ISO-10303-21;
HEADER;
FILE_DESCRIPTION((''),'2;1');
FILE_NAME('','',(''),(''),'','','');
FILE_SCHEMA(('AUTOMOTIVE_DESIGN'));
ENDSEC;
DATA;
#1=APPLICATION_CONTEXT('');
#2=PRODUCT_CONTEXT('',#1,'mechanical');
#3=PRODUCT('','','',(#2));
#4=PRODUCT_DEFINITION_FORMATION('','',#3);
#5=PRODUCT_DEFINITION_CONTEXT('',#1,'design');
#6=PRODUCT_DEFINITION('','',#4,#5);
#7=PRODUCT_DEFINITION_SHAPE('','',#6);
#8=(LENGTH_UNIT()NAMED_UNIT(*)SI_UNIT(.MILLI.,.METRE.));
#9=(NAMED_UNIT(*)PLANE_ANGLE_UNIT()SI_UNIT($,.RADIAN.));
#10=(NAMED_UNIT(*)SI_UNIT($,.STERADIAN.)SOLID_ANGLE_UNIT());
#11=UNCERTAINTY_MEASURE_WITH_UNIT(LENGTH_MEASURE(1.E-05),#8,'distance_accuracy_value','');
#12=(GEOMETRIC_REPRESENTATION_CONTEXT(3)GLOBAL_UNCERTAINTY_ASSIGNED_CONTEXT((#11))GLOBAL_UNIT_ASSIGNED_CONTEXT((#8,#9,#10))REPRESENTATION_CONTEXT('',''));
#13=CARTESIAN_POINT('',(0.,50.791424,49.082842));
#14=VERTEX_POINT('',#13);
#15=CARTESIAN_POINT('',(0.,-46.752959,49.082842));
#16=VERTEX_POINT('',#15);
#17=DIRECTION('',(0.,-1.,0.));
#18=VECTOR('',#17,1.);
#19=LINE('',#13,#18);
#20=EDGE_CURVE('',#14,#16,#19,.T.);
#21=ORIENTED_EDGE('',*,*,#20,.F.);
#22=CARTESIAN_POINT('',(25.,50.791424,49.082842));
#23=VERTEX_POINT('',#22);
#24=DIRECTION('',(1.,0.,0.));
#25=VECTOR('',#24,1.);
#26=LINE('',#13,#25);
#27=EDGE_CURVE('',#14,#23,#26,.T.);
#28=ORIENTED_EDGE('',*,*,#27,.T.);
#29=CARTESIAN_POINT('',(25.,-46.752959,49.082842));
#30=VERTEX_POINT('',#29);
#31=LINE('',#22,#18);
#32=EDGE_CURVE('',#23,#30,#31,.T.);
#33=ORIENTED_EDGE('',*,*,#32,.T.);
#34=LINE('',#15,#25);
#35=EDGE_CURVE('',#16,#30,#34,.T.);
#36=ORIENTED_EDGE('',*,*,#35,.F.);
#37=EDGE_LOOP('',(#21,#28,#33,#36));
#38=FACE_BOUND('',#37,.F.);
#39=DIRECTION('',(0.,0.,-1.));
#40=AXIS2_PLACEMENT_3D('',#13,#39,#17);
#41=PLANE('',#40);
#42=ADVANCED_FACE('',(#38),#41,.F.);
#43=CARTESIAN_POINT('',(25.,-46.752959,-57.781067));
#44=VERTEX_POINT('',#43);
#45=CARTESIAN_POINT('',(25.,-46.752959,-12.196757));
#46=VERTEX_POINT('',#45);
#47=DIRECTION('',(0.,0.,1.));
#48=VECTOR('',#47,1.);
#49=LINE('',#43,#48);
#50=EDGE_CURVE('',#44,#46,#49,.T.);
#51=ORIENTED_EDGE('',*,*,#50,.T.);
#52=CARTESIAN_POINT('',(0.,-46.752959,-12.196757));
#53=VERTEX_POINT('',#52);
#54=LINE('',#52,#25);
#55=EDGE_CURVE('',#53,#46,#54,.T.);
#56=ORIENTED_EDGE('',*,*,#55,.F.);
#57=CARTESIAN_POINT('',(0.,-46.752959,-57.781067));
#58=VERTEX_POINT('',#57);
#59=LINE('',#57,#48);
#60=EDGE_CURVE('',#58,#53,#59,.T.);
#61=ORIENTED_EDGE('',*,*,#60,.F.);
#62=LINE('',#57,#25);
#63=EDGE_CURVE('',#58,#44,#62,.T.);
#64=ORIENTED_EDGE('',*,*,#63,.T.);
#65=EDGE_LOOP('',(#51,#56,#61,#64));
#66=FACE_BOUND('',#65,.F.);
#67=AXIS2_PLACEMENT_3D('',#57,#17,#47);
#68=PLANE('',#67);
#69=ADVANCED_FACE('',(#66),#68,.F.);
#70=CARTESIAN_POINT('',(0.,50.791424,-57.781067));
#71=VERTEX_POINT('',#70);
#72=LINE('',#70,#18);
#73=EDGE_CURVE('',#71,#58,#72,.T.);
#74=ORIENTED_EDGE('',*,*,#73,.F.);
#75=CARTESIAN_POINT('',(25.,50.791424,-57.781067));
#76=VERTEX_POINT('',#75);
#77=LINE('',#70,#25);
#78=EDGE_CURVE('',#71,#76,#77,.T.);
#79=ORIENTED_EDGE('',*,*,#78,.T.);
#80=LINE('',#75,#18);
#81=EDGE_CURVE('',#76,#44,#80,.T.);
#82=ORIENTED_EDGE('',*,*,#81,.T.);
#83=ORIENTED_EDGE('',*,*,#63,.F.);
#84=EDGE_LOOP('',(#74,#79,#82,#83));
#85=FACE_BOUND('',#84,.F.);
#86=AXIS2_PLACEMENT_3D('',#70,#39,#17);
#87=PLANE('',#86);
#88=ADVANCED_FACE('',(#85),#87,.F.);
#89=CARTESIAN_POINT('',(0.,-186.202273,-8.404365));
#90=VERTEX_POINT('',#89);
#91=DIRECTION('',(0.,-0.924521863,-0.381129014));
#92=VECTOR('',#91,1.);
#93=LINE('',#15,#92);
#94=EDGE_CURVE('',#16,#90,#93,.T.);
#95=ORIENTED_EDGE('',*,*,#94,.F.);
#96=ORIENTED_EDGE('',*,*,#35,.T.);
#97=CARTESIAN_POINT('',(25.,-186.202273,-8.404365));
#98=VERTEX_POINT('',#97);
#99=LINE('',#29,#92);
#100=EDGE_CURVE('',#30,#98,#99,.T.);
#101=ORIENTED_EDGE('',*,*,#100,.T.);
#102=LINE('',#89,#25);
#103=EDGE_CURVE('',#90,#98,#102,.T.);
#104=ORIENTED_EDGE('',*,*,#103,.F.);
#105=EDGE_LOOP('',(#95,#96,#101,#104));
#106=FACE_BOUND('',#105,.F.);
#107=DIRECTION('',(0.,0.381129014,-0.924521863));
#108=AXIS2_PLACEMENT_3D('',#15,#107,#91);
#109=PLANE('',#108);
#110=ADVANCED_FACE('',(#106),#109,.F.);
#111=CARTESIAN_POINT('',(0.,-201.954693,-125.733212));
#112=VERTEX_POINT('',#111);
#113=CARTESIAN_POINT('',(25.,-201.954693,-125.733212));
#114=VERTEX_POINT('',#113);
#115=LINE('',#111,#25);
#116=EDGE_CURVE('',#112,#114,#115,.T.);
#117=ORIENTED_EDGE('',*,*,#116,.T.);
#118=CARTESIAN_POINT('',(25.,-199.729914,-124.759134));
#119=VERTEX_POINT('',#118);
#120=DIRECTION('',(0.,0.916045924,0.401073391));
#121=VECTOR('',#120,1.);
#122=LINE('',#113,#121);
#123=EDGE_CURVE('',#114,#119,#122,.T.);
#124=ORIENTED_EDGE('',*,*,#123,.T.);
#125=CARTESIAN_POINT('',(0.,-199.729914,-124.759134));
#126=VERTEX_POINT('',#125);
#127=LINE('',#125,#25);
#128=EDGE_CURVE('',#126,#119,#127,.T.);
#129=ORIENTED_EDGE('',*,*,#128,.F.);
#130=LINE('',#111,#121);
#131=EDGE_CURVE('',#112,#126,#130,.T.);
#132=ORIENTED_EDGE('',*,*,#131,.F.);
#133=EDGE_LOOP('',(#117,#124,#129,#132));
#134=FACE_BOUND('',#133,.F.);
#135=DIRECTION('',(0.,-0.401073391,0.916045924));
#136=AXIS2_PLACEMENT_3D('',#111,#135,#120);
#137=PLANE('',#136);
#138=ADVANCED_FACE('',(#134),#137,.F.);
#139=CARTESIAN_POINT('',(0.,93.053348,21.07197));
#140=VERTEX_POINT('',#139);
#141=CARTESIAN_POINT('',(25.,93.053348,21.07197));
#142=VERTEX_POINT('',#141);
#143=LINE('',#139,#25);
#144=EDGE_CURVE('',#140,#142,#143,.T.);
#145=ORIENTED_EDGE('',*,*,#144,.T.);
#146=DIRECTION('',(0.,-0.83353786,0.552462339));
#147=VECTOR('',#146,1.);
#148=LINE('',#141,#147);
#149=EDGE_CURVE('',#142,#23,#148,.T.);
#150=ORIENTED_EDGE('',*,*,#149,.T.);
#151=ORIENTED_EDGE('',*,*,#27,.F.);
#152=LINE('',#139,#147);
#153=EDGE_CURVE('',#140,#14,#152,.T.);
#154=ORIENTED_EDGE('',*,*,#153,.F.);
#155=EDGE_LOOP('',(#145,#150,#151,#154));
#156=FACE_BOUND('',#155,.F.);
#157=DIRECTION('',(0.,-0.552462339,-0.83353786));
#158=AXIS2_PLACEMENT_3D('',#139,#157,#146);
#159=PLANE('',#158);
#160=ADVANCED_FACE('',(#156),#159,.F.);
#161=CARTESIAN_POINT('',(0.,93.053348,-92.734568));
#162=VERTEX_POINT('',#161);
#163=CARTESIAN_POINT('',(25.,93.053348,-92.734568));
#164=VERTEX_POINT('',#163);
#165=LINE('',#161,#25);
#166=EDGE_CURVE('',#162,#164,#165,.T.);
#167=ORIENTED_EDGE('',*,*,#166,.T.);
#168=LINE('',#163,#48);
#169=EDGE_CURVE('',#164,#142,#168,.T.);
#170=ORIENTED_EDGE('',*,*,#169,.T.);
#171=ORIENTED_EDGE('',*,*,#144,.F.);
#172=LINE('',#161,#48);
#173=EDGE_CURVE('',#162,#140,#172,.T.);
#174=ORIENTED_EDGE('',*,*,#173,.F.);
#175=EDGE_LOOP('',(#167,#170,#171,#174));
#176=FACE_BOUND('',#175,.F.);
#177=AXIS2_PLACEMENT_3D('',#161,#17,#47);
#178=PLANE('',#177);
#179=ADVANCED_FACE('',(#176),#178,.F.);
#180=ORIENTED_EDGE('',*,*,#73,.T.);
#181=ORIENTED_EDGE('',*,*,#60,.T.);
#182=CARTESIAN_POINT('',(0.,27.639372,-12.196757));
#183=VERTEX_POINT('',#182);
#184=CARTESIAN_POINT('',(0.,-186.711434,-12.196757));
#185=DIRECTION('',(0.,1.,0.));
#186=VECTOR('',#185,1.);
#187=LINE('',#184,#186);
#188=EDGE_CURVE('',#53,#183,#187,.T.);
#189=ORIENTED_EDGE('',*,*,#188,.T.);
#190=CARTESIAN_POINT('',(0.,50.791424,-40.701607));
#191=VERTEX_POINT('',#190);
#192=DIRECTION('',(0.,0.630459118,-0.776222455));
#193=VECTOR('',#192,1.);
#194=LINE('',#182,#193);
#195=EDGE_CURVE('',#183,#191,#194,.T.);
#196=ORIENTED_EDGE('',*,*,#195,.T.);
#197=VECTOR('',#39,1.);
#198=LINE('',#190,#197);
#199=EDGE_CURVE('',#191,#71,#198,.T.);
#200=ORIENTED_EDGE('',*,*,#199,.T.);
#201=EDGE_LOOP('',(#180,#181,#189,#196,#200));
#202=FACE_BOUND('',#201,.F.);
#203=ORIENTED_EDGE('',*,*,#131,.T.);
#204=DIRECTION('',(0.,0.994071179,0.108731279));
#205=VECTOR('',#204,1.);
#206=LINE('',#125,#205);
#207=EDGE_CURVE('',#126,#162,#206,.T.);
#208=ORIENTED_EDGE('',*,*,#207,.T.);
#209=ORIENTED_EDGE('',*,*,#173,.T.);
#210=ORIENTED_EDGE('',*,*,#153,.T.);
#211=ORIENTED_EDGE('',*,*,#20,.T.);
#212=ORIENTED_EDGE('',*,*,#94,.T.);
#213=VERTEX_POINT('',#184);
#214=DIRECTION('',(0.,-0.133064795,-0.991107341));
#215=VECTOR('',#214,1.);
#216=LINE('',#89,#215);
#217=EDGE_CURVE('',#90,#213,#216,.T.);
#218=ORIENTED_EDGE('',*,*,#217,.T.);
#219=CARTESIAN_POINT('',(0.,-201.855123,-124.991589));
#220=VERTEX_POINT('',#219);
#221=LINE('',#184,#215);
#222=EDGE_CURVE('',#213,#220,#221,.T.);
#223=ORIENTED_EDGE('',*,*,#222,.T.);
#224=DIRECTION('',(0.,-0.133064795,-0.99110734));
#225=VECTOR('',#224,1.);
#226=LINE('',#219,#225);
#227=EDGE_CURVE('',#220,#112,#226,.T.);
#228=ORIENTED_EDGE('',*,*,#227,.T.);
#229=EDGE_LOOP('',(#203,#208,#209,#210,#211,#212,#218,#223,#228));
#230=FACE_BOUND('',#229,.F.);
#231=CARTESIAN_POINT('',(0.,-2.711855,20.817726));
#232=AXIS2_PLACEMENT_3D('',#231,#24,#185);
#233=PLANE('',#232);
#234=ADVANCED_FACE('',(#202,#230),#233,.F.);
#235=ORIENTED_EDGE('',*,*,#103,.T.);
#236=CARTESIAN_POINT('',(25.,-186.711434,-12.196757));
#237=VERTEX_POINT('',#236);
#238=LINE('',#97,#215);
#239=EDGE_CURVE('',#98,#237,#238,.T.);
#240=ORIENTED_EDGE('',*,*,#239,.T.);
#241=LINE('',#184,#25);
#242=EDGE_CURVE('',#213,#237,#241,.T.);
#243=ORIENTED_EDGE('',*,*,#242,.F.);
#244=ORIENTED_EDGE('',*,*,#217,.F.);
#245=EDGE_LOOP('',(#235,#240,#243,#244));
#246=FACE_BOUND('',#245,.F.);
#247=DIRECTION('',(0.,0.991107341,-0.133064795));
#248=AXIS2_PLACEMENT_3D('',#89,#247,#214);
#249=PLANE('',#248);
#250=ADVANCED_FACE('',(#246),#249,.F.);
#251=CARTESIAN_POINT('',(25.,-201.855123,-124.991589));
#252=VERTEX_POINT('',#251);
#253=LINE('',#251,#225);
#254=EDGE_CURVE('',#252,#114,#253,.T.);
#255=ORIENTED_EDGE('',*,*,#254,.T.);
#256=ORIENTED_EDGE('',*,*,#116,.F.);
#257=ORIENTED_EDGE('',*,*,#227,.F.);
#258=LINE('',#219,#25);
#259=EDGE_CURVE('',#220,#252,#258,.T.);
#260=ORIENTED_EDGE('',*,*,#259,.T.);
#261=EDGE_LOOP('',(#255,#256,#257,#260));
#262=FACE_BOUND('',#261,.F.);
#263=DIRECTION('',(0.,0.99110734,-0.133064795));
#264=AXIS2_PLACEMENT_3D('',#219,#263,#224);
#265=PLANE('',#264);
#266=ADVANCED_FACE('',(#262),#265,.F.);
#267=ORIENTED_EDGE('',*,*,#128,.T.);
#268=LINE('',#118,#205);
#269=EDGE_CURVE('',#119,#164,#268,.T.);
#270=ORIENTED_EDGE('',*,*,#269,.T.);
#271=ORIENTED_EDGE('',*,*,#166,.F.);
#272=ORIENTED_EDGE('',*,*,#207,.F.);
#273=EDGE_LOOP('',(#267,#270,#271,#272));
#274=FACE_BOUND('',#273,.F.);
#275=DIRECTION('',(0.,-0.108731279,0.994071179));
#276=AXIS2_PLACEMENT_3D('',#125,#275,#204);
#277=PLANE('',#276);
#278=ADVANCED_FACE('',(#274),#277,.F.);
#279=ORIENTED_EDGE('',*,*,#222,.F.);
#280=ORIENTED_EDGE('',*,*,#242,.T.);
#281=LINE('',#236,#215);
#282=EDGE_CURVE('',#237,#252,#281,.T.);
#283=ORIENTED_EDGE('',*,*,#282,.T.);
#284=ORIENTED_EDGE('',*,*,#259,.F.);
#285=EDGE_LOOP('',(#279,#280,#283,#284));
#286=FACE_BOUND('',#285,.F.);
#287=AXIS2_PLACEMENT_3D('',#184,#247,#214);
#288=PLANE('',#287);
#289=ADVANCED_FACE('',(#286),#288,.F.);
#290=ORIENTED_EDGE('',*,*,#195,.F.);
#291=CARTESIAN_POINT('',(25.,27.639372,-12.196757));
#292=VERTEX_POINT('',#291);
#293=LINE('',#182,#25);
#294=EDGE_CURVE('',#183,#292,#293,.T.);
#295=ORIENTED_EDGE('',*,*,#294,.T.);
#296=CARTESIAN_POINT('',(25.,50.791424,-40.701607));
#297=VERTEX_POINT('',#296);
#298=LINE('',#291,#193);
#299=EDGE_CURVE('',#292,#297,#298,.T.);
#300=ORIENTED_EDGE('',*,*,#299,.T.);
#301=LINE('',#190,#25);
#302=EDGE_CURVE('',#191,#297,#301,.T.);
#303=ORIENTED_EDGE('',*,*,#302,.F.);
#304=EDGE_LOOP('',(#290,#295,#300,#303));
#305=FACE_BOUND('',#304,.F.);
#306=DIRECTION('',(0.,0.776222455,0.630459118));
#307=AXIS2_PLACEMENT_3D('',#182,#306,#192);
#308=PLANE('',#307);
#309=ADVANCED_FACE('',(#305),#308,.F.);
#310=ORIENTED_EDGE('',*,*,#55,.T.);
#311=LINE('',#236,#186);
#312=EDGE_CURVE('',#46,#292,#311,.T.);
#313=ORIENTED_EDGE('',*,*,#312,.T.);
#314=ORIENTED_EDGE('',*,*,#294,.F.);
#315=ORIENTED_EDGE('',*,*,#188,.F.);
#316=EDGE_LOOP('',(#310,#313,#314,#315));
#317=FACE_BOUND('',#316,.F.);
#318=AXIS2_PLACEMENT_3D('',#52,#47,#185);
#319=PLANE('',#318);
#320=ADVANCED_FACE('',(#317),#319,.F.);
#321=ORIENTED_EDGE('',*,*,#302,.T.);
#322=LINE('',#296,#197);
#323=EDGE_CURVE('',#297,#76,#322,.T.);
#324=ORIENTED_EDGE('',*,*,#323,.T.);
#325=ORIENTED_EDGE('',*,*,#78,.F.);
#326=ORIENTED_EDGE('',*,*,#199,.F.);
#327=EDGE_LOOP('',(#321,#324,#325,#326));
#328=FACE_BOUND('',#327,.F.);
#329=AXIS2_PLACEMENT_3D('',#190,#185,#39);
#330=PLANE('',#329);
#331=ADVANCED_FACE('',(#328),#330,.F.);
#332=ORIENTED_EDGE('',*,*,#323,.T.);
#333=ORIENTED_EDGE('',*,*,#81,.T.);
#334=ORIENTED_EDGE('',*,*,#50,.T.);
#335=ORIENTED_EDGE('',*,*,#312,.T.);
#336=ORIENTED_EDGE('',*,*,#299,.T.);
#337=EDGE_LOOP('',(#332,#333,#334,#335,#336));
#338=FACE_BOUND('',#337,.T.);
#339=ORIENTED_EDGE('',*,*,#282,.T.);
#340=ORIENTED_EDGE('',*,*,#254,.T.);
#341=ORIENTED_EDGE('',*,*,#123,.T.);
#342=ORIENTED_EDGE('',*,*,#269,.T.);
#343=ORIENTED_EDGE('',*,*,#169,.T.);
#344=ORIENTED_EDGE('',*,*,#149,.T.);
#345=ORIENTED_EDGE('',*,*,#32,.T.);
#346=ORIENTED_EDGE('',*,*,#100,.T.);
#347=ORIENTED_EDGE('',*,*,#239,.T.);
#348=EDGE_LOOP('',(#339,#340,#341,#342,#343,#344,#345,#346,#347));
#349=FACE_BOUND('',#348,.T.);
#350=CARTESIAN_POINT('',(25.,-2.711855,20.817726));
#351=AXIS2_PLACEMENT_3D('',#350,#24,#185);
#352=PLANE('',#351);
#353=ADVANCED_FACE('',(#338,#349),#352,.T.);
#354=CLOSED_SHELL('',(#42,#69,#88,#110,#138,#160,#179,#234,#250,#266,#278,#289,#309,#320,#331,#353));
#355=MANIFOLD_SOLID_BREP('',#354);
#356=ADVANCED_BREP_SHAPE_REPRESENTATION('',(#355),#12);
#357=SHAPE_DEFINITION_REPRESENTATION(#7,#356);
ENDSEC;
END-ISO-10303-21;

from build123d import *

# Parameters (mm, degrees)
F1_DEPTH = 25


with BuildPart() as f1:
    # F0 (on Right) → F1 (new body)
    with BuildSketch(Plane.YZ):
        Polygon((50.7914237678, 49.0828417242), (47.3742634058, 49.0828417242), (-46.7529594898, 49.0828417242), (-46.7529594898, -12.1967571052), (27.6393722743, -12.1967571052), align=None)
        Polygon((-46.7529594898, -12.1967571052), (-46.7529594898, 49.0828417242), (-186.2022727728, -8.4043648094), (-186.711434477, -12.1967571052), align=None)
        Polygon((93.0533483624, 21.0719704628), (50.7914237678, 49.0828417242), (50.7914237678, -40.7016065636), (93.0533483624, -92.734567821), align=None)
        Polygon((50.7914237678, -40.7016065636), (50.7914237678, 49.0828417242), (27.6393722743, -12.1967571052), align=None)
        Polygon((-46.7529594898, -57.7810667455), (-46.7529594898, -12.1967571052), (-186.711434477, -12.1967571052), (-201.8551233379, -124.9915892651), (-199.729913905, -124.7591343415), align=None)
        Polygon((93.0533483624, -92.734567821), (50.7914237678, -40.7016065636), (50.7914237678, -57.7810667455), align=None)
        Polygon((50.7914237678, -57.7810667455), (-46.7529594898, -57.7810667455), (-199.729913905, -124.7591343415), (93.0533483624, -92.734567821), align=None)
        Polygon((-201.9546926022, -125.7332116365), (-199.729913905, -124.7591343415), (-201.8551233379, -124.9915892651), align=None)
    extrude(amount=F1_DEPTH)


solid = f1.part
